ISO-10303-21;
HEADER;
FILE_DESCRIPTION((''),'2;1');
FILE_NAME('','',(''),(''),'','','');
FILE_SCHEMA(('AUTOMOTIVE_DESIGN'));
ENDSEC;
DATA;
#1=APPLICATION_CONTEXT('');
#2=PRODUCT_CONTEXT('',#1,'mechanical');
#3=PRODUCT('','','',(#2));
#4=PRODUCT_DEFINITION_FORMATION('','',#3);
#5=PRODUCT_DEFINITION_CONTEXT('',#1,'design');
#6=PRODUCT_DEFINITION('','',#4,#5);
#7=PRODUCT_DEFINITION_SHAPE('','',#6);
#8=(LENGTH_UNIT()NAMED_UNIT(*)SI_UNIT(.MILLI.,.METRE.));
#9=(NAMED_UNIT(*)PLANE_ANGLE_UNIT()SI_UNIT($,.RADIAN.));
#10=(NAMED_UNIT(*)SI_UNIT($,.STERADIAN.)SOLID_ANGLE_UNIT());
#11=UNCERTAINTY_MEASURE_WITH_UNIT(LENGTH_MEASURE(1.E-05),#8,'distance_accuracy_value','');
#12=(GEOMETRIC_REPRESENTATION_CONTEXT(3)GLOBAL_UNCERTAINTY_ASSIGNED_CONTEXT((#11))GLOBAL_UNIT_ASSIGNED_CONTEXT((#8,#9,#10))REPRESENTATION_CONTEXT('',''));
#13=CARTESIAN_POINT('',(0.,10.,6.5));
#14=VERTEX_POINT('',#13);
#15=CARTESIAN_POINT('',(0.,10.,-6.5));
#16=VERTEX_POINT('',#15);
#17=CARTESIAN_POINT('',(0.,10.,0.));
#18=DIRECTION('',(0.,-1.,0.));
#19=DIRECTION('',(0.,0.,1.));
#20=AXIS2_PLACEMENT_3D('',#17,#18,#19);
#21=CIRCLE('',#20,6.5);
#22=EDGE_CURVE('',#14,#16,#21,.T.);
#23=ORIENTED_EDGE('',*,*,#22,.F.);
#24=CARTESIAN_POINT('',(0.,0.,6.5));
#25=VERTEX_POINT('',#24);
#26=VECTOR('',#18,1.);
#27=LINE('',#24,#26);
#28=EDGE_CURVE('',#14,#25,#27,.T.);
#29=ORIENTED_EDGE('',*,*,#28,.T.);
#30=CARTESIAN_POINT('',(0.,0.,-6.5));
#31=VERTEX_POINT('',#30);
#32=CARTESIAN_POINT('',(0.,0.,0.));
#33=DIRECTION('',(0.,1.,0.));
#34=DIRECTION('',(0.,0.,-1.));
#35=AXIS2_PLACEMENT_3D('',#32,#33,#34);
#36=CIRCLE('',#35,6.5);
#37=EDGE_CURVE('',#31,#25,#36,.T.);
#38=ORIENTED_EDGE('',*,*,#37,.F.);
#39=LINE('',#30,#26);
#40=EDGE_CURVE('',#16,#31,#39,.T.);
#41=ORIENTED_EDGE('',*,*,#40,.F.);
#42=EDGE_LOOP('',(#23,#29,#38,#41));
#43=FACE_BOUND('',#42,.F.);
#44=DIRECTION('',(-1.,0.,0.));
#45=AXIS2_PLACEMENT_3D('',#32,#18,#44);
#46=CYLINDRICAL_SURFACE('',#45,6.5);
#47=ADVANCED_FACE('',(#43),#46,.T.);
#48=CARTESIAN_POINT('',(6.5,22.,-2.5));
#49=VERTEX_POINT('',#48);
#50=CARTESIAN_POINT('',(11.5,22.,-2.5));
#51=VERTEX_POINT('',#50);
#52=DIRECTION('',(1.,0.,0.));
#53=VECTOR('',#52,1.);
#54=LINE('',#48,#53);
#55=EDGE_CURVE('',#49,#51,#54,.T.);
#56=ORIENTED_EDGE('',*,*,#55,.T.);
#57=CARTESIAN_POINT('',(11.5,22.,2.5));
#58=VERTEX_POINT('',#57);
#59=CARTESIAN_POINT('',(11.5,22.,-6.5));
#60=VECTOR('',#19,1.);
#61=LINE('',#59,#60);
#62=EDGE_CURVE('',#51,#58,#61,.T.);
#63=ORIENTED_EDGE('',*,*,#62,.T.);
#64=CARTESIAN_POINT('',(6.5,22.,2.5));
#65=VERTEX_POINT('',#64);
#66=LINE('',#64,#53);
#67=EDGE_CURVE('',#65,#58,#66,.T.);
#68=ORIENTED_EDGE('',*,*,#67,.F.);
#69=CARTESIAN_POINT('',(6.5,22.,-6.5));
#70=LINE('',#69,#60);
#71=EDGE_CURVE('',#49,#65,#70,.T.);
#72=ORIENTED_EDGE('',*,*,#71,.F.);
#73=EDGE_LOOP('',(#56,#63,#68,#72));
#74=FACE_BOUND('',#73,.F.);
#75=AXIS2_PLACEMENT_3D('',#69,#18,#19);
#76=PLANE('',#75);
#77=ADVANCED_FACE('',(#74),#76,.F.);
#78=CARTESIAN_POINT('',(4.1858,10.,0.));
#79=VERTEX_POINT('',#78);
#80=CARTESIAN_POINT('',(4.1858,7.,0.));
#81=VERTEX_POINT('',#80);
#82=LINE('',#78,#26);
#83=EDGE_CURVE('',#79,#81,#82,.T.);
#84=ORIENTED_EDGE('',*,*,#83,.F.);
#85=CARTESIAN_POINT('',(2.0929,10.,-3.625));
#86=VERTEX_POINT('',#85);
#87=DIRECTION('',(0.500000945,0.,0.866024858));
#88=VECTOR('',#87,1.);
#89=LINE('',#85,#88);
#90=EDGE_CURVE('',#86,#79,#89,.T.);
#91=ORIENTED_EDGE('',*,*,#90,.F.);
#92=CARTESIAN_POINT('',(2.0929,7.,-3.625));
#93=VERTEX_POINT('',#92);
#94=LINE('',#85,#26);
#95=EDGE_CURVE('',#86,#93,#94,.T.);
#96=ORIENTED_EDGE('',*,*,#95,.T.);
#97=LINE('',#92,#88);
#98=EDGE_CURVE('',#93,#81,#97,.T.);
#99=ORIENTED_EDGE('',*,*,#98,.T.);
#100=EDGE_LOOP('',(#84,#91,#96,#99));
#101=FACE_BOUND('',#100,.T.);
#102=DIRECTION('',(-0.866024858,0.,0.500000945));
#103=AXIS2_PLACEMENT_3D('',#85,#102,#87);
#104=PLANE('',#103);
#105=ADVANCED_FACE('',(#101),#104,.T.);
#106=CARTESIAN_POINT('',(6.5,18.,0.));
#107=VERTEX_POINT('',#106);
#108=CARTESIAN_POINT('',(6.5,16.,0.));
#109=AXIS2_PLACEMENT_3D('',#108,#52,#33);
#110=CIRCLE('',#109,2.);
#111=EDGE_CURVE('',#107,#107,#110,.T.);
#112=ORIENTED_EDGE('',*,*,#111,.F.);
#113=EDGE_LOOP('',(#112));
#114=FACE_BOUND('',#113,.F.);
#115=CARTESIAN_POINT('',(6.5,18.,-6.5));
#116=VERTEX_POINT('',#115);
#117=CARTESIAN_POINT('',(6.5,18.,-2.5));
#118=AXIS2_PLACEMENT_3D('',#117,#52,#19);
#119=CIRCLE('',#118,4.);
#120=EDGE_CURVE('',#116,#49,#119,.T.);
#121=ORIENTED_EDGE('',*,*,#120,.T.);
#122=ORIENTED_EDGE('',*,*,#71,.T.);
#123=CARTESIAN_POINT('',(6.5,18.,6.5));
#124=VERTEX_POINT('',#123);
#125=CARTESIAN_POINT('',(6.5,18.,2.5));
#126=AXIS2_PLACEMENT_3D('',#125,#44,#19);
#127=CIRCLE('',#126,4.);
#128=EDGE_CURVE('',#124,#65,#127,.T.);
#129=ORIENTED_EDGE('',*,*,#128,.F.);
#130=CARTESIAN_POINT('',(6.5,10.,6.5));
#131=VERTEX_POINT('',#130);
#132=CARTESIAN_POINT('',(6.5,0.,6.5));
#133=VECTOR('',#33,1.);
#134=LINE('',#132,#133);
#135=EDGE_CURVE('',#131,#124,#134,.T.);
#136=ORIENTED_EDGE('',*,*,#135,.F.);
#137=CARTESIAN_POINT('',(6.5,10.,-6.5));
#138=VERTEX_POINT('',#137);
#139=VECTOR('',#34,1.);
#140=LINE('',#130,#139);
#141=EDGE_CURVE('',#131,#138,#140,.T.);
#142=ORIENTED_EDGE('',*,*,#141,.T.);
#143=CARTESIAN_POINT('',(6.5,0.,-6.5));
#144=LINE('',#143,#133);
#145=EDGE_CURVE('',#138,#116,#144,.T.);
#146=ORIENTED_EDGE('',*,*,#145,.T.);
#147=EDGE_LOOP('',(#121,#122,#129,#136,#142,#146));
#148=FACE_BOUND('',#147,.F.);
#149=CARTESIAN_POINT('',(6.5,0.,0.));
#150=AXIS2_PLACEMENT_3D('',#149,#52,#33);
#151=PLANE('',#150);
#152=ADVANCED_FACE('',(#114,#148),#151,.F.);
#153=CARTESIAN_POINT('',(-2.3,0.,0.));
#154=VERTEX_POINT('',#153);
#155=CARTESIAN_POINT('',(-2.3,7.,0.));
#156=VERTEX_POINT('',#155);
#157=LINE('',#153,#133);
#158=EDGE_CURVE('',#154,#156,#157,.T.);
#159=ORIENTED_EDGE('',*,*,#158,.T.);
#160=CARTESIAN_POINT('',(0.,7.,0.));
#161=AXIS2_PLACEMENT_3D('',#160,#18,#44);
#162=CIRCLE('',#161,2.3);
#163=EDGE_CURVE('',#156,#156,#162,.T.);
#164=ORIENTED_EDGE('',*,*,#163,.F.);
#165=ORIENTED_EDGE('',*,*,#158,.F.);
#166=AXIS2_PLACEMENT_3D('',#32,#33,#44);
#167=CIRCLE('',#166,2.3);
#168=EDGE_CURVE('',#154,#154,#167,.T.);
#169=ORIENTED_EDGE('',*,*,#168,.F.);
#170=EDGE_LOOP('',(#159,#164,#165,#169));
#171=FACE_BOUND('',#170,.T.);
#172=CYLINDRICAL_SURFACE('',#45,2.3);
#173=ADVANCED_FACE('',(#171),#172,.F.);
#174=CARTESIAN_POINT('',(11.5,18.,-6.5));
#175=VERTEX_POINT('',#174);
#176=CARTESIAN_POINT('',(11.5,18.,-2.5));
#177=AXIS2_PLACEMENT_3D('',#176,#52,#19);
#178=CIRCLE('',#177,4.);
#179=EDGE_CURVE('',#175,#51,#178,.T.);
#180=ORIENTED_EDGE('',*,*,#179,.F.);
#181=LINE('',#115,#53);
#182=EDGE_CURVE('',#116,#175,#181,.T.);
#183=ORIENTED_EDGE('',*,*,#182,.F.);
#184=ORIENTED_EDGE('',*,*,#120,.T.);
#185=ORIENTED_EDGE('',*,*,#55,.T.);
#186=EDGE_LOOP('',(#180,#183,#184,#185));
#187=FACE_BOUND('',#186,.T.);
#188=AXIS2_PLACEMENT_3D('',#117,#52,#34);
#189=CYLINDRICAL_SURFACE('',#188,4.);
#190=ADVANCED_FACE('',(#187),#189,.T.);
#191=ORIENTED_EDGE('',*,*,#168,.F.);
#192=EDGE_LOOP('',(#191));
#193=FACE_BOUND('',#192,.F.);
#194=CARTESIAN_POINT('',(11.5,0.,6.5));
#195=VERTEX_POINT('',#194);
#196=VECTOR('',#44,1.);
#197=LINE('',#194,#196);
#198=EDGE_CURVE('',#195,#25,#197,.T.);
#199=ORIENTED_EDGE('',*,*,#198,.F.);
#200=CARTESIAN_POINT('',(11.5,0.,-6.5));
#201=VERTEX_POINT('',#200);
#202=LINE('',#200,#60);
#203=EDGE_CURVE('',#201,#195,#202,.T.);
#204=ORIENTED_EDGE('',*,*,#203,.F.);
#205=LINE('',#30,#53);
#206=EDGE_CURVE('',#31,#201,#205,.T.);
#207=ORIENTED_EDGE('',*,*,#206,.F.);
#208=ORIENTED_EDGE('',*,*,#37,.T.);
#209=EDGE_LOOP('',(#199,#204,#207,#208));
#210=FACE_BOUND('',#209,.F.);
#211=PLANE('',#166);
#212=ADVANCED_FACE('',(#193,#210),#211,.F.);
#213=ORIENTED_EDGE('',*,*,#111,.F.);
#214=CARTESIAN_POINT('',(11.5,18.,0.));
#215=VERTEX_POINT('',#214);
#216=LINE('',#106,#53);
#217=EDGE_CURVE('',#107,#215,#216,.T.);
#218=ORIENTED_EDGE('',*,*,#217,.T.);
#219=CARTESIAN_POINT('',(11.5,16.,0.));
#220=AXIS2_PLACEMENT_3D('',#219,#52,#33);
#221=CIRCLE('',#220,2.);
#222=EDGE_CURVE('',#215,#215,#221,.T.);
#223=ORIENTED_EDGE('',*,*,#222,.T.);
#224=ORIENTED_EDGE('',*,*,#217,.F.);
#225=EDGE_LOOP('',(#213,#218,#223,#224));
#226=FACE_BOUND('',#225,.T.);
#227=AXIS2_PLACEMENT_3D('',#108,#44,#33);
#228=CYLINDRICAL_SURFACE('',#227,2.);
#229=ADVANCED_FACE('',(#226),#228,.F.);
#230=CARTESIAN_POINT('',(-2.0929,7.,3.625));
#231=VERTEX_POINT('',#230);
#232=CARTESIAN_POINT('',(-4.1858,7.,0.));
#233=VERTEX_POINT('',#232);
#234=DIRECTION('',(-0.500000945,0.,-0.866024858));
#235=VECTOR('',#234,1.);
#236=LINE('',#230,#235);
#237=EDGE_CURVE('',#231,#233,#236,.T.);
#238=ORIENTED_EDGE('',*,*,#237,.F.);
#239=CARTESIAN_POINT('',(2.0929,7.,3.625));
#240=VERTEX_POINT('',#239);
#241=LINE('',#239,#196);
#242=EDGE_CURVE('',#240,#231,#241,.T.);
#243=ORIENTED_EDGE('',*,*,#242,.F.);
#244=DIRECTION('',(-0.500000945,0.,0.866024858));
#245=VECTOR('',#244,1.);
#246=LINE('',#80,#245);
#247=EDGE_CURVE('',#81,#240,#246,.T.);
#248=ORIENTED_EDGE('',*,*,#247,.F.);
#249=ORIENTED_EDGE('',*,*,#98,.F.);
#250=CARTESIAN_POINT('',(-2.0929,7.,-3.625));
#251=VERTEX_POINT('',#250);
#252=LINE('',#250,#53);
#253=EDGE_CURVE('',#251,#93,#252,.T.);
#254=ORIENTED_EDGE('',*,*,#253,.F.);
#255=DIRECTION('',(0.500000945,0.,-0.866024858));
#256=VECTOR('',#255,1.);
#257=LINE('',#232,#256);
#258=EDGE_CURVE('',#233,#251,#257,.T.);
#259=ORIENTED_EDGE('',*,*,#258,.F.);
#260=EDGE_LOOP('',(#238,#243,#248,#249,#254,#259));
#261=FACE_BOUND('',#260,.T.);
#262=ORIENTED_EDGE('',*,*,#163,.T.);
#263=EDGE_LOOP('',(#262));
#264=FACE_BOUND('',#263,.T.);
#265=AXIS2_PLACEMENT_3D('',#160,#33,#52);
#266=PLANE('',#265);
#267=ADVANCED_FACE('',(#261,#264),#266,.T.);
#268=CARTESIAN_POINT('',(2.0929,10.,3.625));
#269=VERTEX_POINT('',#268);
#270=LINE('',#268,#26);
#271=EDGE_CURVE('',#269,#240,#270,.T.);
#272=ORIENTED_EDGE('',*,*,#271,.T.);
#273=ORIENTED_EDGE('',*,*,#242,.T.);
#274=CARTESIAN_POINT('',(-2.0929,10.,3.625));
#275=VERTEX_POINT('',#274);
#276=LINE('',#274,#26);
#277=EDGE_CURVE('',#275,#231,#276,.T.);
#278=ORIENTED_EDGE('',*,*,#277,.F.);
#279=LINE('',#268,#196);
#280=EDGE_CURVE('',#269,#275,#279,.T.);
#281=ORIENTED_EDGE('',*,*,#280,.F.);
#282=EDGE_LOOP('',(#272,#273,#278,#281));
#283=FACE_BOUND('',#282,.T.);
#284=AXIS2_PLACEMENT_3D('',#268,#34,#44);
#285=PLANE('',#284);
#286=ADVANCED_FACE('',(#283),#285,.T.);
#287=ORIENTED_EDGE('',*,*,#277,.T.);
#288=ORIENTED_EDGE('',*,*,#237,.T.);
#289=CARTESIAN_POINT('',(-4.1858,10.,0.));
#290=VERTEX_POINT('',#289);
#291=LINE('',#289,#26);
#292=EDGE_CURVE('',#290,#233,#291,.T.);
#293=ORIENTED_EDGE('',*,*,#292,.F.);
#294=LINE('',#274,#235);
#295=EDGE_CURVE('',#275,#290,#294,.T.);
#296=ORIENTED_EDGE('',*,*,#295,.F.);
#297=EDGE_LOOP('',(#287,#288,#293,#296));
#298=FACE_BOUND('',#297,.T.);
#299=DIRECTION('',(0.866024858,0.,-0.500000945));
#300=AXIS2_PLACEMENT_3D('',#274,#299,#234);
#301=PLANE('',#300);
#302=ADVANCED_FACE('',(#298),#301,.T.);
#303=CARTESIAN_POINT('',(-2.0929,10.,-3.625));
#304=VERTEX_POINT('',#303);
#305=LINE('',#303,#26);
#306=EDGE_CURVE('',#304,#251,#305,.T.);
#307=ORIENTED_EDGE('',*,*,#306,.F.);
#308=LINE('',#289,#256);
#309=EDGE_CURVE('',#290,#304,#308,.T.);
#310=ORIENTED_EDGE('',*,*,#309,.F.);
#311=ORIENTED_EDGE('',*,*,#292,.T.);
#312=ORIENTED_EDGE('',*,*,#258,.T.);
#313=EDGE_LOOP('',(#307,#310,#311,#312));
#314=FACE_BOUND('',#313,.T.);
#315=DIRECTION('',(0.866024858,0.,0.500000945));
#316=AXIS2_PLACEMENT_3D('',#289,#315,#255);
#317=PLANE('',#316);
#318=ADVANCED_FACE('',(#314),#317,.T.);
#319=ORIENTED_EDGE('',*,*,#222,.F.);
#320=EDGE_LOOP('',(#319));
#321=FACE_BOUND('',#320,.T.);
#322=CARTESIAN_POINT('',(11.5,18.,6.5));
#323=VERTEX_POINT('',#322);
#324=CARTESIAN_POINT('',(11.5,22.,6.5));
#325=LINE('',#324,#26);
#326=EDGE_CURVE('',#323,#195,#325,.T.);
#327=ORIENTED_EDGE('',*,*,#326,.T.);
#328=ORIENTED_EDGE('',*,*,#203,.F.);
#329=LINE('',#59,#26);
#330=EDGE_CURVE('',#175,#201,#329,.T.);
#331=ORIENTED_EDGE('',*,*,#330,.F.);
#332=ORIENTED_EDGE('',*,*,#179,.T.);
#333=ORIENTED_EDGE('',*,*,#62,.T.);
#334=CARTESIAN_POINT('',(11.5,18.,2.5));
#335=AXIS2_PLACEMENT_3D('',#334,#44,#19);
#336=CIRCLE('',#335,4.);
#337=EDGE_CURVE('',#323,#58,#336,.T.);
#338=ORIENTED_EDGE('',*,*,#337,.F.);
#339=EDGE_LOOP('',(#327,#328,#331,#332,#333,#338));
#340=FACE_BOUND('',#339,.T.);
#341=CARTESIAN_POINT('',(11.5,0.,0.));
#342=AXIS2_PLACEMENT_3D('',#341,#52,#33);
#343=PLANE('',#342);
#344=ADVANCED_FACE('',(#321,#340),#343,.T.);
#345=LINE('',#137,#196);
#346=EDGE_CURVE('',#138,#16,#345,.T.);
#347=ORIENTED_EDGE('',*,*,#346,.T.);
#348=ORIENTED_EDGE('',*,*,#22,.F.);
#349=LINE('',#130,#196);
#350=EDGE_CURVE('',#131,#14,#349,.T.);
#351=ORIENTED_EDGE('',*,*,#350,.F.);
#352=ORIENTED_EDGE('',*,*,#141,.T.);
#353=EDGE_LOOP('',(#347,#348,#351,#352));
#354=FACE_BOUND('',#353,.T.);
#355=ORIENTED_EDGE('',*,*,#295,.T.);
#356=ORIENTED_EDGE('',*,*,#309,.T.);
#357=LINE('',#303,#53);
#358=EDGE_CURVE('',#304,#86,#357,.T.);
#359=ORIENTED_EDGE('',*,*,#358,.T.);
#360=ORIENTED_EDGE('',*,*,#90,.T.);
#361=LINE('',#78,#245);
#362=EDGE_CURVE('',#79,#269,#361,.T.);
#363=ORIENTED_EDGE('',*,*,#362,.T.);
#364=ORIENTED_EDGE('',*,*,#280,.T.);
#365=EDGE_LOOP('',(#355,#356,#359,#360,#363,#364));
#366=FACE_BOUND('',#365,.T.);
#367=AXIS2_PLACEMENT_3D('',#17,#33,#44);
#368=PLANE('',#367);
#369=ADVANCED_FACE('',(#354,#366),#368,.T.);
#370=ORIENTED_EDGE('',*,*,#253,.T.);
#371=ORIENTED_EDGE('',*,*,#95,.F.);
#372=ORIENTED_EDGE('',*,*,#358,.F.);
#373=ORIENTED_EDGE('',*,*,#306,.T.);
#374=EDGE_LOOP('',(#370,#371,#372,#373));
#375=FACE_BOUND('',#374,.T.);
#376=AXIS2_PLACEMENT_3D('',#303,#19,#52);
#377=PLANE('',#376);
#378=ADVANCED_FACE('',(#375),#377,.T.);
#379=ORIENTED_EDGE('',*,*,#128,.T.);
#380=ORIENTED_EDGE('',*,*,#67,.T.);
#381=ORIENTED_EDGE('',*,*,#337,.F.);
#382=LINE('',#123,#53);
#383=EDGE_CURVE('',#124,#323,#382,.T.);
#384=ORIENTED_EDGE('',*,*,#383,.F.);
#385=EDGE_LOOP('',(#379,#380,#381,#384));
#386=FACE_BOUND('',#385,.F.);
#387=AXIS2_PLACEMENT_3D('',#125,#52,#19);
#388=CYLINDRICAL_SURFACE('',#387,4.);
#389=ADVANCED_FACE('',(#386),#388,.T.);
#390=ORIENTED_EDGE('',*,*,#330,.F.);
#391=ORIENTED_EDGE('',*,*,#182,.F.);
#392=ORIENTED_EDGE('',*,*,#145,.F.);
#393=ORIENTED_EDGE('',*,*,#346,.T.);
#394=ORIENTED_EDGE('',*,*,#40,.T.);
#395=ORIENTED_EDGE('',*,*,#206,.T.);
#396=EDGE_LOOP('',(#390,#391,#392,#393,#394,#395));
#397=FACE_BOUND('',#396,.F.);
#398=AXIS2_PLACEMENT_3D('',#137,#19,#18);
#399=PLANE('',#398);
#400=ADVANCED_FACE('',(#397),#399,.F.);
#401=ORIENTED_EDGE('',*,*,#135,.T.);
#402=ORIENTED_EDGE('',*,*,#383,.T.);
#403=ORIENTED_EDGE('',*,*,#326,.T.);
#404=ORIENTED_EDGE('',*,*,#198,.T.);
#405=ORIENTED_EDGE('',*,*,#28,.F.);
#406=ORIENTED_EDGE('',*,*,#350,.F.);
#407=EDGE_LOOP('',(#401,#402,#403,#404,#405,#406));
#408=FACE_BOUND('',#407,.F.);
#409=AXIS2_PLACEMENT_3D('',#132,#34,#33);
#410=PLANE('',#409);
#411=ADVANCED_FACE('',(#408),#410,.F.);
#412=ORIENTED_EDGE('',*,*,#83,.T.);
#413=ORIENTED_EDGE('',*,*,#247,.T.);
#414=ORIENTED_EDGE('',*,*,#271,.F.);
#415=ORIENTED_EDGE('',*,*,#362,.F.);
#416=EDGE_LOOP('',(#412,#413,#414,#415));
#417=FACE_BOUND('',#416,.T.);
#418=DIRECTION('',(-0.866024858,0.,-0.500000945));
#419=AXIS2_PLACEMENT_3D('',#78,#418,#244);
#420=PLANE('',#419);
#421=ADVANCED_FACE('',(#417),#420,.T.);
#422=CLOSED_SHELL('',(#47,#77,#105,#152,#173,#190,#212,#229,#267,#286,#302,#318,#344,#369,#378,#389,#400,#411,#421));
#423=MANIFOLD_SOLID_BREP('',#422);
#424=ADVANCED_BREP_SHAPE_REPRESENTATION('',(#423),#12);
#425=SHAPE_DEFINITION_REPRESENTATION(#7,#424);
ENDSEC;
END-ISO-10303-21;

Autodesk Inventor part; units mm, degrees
ref_plane "XZ Plane" through (0, 0, 0) normal (0, 1, 0) x (-1, 0, 0)
ref_plane "XY Plane" through (0, 0, 0) normal (0, 0, 1) x (1, 0, 0)
sketch "Sketch1" plane through (0, 0, 0) normal (0, 1, 0) x (-1, 0, 0)
  circle A0 centre (0, 0) radius 6.5
  circle A1 centre (0, 0) radius 2.3
  dimension "d0" = 13
  dimension "d1" = 4.6
extrude "Extrusion1" add sketch "Sketch1" along normal blind 10
sketch "Sketch2" plane through (0, 10, 0) normal (0, 1, 0) x (1, 0, 0)
  point P0 (0, 0)
ref_plane "Work Plane1" through (6.5, 0, 0) normal (1, 0, 0) x (0, 1, 0)
sketch "Sketch3" plane through (6.5, 0, 0) normal (1, 0, 0) x (0, 1, 0)
  line L0 (10, -6.5) -> (10, 6.5) projected
  line L1 (10, -6.5) -> (22, -6.5)
  line L2 (22, -6.5) -> (22, 6.5)
  line L3 (22, 6.5) -> (10, 6.5)
  line L4 (10, 6.5) -> (10, -6.5)
  line L5 (0, -6.5) -> (0, 6.5) projected
  line L6 (10, -6.5) -> (0, -6.5)
  line L7 (0, -6.5) -> (0, 6.5)
  line L8 (0, 6.5) -> (10, 6.5)
  line L9 (10, 6.5) -> (10, -6.5)
  circle A0 centre (16, 0) radius 2
  point P0 (0, 0)
  point P1 (0, -6.5)
  point P2 (10, 6.5)
  point P3 (10, 6.5)
  dimension "d5" = 12
  dimension "d6" = 4
  dimension "d11" = 6
extrude "Extrusion2" add sketch "Sketch3" against normal up to surface contours L6 L5 L8 L0
extrude "Extrusion3" add sketch "Sketch3" along normal blind 5
sketch "Sketch5" plane through (0, 10, 0) normal (0, 1, 0) x (1, 0, 0)
  line L0 (4.1858, 0) -> (2.0929, -3.625)
  line L1 (2.0929, -3.625) -> (-2.0929, -3.625)
  line L2 (-2.0929, -3.625) -> (-4.1858, 0)
  line L3 (-4.1858, 0) -> (-2.0929, 3.625)
  line L4 (-2.0929, 3.625) -> (2.0929, 3.625)
  line L5 (2.0929, 3.625) -> (4.1858, 0)
  point P0 (0, 0)
  point P1 (0, 0)
  dimension "d12" = 7.25
extrude "Extrusion4" cut sketch "Sketch5" against normal blind 3
fillet "Fillet1" radius 4 2 edges at (9, 22, 6.5) (9, 22, -6.5)
properties part number "SpringConn"
